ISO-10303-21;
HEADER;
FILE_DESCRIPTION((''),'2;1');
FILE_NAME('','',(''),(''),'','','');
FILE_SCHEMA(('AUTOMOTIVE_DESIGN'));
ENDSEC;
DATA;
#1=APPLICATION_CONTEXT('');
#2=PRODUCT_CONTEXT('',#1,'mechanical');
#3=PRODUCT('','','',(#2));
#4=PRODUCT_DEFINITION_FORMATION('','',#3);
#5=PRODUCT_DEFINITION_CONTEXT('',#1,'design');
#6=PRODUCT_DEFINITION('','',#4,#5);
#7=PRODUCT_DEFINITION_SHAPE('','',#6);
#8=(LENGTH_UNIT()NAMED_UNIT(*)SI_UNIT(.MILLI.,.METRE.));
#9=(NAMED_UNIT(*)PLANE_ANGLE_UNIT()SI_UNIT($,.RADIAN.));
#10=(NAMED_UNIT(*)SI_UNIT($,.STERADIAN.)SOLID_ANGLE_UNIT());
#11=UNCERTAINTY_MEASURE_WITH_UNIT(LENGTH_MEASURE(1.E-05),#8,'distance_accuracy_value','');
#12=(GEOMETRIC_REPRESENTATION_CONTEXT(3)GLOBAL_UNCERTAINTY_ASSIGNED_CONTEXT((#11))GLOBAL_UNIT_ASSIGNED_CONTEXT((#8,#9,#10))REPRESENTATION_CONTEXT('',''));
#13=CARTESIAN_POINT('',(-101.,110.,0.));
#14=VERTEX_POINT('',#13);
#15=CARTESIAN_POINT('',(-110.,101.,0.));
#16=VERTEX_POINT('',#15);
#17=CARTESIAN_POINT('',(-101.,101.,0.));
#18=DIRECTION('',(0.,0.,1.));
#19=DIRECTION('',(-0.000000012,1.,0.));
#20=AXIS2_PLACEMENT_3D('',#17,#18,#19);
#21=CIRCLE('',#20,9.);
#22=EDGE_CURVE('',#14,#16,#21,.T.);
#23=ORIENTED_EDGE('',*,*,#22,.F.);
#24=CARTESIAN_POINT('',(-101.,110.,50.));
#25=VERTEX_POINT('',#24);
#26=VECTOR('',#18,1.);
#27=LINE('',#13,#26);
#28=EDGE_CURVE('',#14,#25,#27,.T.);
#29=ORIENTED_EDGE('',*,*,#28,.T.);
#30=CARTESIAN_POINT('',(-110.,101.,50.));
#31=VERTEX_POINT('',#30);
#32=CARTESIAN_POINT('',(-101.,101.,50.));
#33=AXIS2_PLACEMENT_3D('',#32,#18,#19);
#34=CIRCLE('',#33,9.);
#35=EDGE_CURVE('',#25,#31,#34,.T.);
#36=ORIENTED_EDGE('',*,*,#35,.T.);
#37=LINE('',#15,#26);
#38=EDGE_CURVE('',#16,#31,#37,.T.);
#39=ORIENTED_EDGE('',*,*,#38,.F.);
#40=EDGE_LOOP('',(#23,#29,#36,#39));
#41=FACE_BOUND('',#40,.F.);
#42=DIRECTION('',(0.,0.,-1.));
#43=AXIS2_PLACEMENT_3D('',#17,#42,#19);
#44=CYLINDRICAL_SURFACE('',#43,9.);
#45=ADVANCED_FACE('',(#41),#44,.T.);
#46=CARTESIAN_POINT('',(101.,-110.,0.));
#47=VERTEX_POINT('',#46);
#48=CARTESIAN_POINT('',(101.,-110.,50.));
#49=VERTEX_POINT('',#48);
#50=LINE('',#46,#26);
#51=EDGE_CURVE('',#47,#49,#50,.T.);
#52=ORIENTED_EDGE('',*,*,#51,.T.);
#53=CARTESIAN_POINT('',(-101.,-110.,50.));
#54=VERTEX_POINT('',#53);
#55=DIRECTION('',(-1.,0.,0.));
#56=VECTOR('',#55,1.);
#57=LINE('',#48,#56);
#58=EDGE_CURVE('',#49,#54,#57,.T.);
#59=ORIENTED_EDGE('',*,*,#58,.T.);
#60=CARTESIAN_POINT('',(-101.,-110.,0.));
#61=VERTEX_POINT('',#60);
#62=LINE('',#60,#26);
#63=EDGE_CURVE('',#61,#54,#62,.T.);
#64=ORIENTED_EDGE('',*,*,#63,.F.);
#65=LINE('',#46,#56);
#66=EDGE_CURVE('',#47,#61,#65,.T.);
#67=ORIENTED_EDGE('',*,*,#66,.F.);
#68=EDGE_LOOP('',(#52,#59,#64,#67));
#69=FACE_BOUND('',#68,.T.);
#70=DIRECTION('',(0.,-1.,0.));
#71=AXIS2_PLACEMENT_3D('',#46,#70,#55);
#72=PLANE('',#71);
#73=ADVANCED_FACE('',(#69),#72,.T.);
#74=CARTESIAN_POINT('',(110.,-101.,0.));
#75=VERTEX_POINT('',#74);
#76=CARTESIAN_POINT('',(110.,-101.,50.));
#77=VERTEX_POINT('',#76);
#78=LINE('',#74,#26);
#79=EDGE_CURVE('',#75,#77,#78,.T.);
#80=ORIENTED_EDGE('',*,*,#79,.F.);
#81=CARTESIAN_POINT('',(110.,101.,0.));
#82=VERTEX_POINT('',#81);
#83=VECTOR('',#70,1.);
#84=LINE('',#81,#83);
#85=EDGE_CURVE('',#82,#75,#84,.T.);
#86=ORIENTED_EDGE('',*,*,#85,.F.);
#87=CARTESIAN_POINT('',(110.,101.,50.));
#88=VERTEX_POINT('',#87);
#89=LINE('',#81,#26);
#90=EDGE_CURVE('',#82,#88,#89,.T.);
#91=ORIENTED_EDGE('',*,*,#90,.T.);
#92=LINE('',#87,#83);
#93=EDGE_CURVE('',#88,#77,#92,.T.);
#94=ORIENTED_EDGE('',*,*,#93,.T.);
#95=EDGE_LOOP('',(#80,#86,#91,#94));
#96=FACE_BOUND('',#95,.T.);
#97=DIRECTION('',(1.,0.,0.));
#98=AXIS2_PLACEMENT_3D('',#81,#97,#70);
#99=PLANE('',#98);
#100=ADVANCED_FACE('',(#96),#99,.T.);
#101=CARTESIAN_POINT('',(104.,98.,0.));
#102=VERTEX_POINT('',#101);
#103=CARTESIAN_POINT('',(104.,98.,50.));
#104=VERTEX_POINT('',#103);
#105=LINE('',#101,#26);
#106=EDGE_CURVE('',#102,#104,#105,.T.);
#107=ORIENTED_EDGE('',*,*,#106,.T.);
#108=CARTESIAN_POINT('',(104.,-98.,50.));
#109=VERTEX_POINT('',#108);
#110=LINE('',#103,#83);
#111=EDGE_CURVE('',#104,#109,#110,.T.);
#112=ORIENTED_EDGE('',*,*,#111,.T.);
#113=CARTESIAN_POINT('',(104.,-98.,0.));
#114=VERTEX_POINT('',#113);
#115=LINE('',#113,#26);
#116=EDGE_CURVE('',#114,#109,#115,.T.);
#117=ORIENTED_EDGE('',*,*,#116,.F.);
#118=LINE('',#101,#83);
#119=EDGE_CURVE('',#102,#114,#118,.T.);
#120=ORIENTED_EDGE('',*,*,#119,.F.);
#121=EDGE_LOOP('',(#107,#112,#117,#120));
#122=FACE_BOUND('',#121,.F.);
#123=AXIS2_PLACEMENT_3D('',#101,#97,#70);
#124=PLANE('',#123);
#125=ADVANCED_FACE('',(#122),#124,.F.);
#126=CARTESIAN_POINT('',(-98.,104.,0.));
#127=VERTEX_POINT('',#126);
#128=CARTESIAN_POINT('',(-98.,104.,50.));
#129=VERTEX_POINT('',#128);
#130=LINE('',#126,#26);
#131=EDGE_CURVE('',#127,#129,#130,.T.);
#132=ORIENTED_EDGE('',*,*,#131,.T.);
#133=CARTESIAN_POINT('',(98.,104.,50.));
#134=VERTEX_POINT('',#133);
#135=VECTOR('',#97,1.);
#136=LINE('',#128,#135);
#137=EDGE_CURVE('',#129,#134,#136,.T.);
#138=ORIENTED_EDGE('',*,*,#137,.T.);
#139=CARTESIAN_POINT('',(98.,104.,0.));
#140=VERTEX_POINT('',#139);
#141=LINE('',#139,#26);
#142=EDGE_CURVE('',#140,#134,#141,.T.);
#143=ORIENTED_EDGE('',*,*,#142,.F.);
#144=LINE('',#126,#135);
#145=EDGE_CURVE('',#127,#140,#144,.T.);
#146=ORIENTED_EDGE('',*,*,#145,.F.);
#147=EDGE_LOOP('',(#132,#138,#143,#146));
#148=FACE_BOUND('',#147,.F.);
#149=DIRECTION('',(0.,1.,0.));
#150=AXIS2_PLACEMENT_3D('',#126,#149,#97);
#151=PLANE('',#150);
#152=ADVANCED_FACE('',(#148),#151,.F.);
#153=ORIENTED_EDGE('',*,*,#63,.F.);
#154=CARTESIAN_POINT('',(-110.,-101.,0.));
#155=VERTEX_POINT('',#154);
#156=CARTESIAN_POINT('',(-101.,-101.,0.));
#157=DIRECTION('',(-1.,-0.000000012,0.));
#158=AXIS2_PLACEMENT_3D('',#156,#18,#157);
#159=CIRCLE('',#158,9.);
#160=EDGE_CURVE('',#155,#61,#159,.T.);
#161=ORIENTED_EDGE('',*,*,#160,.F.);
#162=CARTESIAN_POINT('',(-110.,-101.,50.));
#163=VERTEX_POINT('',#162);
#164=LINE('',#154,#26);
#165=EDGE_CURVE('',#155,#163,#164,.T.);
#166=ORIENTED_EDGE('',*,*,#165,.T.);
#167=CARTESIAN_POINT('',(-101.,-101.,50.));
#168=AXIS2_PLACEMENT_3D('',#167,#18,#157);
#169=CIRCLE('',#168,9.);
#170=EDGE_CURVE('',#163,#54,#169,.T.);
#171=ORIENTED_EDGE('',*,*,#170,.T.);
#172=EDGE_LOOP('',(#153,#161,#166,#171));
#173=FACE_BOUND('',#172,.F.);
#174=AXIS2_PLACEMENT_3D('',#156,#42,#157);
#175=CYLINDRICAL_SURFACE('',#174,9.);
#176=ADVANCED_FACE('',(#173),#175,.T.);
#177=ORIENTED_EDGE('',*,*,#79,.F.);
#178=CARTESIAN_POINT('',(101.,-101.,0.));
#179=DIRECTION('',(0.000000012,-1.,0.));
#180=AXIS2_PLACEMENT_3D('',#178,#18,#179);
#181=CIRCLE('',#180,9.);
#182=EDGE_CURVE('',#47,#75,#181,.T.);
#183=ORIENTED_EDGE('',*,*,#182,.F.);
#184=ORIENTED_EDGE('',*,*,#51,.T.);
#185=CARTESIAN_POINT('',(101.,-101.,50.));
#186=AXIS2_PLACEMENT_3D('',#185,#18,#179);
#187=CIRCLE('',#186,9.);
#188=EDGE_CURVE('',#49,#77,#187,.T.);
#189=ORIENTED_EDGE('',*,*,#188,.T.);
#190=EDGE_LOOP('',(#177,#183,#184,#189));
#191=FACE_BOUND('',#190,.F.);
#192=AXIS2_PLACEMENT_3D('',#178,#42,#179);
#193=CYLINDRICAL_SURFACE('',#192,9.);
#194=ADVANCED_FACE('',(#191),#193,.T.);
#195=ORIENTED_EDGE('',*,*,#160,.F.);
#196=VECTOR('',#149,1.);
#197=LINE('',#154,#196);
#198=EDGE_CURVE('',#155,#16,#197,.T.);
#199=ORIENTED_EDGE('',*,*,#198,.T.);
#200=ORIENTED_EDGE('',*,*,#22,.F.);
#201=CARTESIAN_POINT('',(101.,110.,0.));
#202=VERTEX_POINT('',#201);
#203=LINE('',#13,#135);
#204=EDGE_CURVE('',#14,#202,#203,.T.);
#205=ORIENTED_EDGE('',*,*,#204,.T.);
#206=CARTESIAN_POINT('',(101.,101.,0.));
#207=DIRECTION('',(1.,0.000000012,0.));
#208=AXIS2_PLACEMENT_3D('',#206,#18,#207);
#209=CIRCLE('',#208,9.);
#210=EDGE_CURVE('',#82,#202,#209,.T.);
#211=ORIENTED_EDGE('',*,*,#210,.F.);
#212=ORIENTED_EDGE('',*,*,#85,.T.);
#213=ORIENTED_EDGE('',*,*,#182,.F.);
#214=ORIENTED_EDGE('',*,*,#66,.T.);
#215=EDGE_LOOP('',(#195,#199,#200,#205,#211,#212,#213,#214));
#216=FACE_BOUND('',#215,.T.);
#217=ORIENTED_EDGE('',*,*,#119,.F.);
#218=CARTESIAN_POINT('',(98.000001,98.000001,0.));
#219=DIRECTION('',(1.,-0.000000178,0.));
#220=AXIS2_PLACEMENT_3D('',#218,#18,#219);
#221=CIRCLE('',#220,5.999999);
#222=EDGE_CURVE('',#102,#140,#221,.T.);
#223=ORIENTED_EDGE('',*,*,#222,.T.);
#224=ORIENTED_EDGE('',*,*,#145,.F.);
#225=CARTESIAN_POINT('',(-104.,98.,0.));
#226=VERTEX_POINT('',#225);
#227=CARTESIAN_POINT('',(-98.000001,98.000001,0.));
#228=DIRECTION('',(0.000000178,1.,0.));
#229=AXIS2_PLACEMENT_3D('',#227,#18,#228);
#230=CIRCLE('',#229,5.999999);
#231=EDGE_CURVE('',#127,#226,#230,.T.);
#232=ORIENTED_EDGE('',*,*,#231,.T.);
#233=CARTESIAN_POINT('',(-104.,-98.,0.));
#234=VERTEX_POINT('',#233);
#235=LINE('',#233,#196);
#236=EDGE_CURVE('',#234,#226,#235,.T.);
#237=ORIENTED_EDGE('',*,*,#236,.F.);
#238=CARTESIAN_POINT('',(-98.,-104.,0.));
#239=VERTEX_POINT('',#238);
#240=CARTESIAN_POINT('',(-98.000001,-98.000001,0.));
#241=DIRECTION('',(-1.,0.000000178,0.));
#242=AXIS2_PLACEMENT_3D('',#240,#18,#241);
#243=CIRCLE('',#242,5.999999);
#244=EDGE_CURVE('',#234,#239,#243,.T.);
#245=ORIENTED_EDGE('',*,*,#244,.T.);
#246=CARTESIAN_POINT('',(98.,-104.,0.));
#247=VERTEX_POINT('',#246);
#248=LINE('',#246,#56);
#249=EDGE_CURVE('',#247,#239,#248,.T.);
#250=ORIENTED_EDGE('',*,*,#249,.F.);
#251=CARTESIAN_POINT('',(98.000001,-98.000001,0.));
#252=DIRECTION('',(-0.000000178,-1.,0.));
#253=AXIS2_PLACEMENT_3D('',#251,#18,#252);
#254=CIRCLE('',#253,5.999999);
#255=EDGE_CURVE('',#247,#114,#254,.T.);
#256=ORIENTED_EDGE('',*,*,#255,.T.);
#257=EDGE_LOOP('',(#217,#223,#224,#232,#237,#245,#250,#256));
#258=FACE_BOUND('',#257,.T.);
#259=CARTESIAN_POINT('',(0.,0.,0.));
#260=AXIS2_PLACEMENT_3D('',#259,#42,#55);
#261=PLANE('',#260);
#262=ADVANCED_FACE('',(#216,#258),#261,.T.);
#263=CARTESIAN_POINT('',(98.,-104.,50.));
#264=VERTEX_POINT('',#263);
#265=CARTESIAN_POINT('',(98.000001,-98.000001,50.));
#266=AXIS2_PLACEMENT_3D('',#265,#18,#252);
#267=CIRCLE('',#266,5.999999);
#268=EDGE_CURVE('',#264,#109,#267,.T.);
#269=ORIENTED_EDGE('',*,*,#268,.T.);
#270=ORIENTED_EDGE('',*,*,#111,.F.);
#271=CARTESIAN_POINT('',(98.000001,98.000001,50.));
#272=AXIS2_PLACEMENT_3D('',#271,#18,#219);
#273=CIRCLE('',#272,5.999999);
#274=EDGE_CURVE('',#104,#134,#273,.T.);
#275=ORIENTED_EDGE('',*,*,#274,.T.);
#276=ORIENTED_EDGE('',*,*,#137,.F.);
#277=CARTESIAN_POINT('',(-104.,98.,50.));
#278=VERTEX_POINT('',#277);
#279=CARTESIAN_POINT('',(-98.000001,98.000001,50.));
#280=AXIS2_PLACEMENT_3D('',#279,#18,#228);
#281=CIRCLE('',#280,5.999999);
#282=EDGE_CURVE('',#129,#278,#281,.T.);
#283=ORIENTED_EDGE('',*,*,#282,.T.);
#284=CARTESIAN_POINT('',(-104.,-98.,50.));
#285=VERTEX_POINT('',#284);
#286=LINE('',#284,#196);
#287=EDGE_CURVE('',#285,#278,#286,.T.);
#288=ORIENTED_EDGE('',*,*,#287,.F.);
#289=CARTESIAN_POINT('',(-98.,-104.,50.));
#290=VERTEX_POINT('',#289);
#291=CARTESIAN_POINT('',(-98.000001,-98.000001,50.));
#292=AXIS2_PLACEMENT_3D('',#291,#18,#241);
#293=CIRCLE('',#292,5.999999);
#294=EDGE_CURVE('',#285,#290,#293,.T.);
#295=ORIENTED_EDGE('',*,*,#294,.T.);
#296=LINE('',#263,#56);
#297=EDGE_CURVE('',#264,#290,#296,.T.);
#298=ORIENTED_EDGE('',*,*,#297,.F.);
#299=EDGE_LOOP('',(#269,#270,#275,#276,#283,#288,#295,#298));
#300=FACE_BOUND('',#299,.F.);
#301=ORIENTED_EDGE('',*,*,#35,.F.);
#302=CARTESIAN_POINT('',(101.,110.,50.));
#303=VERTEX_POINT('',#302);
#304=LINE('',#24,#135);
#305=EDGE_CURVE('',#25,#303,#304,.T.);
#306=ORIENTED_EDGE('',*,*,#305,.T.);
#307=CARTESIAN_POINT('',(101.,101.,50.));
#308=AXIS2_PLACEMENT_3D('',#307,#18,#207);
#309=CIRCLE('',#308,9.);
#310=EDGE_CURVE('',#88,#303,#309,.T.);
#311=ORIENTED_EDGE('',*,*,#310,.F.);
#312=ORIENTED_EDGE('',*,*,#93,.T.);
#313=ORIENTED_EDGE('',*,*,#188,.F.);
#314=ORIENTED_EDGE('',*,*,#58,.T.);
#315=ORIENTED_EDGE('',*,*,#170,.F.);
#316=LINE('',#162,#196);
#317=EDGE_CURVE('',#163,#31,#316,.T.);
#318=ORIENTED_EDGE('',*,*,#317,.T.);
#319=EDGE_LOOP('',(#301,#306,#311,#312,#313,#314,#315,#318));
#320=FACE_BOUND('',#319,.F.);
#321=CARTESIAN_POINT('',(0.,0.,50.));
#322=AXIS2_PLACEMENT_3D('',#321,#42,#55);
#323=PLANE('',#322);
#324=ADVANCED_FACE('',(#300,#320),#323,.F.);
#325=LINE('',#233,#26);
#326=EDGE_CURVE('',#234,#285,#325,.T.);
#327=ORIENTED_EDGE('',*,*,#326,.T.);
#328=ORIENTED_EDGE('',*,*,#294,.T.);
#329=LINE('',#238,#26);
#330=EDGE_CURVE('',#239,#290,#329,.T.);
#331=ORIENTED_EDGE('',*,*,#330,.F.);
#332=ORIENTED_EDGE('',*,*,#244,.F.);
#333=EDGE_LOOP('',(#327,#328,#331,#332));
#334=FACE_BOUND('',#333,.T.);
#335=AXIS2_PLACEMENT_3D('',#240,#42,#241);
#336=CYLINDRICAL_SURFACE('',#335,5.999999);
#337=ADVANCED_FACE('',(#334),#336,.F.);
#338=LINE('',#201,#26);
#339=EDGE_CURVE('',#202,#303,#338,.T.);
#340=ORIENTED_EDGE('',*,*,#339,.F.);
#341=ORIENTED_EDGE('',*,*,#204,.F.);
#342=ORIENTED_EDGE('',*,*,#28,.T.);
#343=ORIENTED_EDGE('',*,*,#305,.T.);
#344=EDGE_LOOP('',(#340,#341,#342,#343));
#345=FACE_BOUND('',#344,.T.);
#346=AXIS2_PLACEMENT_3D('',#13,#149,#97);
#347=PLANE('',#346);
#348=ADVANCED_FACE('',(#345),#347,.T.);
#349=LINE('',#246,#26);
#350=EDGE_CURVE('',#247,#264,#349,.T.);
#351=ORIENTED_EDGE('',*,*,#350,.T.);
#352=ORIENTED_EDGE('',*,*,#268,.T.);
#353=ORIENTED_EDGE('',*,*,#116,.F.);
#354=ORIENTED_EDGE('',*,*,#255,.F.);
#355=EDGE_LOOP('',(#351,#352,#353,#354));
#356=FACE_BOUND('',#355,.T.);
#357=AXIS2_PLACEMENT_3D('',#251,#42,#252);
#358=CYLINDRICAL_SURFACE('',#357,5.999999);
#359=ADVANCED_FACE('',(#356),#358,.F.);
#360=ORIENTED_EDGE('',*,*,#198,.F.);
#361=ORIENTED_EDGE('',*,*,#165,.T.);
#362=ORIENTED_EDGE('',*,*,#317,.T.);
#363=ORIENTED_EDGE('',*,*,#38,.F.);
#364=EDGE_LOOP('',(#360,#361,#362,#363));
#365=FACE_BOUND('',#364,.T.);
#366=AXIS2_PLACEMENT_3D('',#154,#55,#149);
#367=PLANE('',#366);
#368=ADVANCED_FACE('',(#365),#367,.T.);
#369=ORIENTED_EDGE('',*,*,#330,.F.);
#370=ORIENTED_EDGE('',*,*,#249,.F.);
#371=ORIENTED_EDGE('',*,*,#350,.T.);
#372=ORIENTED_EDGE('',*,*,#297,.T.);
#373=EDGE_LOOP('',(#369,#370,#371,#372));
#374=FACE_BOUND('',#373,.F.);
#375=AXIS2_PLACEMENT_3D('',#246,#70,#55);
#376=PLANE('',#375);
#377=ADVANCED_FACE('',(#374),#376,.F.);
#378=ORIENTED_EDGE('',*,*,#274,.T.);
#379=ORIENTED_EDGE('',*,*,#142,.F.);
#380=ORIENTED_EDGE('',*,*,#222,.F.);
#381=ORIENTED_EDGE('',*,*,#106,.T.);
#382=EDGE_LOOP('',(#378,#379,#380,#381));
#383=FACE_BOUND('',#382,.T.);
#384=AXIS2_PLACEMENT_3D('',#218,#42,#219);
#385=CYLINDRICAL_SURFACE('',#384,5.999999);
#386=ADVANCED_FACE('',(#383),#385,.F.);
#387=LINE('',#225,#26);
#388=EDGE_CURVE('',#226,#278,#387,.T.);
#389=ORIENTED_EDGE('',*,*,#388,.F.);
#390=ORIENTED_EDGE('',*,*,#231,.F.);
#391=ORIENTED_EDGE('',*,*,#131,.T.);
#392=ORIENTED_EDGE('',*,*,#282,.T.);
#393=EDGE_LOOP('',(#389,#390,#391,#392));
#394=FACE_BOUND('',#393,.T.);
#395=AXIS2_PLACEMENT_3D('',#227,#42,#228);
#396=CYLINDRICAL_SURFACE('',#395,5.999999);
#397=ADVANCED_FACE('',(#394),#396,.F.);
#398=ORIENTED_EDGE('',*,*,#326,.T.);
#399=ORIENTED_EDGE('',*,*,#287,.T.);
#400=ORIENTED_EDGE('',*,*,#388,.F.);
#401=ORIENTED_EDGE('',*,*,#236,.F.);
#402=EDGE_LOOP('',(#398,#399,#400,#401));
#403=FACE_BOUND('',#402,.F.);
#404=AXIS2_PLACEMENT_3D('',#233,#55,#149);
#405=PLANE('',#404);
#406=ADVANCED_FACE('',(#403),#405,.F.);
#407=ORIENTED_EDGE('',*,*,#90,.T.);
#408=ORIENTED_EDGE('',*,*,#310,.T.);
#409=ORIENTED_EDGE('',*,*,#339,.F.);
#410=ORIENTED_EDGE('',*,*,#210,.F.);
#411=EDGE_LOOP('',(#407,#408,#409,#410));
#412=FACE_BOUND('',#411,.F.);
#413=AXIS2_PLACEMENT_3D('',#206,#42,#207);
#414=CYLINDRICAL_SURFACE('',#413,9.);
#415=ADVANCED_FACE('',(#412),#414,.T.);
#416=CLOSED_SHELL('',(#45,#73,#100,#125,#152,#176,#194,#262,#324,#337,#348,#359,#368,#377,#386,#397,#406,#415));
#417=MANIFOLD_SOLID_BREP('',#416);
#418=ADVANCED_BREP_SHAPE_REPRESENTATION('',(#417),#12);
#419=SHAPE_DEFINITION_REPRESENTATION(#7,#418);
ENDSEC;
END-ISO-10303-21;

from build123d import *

# Parameters (mm, degrees)
EXTRUDE_DEPTH = 50


with BuildPart() as part:
    # Sketch → Extrude (new body)
    with BuildSketch(Plane.XY):
        with BuildLine():
            Line((-101, 110), (101, 110))
            ThreePointArc((110, 101), (107.363961, 107.363961), (101, 110))
            Line((110, 101), (110, -101))
            ThreePointArc((101, -110), (107.363961, -107.363961), (110, -101))
            Line((101, -110), (-101, -110))
            ThreePointArc((-110, -101), (-107.363961, -107.363961), (-101, -110))
            Line((-110, -101), (-110, 101))
            ThreePointArc((-101, 110), (-107.363961, 107.363961), (-110, 101))
        make_face()
        with BuildLine():
            Line((-98, 104), (98, 104))
            ThreePointArc((104, 98), (102.242641, 102.242641), (98, 104))
            Line((104, 98), (104, -98))
            ThreePointArc((98, -104), (102.242641, -102.242641), (104, -98))
            Line((98, -104), (-98, -104))
            ThreePointArc((-104, -98), (-102.242641, -102.242641), (-98, -104))
            Line((-104, -98), (-104, 98))
            ThreePointArc((-98, 104), (-102.242641, 102.242641), (-104, 98))
        make_face(mode=Mode.SUBTRACT)
    extrude(amount=EXTRUDE_DEPTH)


solid = part.part
